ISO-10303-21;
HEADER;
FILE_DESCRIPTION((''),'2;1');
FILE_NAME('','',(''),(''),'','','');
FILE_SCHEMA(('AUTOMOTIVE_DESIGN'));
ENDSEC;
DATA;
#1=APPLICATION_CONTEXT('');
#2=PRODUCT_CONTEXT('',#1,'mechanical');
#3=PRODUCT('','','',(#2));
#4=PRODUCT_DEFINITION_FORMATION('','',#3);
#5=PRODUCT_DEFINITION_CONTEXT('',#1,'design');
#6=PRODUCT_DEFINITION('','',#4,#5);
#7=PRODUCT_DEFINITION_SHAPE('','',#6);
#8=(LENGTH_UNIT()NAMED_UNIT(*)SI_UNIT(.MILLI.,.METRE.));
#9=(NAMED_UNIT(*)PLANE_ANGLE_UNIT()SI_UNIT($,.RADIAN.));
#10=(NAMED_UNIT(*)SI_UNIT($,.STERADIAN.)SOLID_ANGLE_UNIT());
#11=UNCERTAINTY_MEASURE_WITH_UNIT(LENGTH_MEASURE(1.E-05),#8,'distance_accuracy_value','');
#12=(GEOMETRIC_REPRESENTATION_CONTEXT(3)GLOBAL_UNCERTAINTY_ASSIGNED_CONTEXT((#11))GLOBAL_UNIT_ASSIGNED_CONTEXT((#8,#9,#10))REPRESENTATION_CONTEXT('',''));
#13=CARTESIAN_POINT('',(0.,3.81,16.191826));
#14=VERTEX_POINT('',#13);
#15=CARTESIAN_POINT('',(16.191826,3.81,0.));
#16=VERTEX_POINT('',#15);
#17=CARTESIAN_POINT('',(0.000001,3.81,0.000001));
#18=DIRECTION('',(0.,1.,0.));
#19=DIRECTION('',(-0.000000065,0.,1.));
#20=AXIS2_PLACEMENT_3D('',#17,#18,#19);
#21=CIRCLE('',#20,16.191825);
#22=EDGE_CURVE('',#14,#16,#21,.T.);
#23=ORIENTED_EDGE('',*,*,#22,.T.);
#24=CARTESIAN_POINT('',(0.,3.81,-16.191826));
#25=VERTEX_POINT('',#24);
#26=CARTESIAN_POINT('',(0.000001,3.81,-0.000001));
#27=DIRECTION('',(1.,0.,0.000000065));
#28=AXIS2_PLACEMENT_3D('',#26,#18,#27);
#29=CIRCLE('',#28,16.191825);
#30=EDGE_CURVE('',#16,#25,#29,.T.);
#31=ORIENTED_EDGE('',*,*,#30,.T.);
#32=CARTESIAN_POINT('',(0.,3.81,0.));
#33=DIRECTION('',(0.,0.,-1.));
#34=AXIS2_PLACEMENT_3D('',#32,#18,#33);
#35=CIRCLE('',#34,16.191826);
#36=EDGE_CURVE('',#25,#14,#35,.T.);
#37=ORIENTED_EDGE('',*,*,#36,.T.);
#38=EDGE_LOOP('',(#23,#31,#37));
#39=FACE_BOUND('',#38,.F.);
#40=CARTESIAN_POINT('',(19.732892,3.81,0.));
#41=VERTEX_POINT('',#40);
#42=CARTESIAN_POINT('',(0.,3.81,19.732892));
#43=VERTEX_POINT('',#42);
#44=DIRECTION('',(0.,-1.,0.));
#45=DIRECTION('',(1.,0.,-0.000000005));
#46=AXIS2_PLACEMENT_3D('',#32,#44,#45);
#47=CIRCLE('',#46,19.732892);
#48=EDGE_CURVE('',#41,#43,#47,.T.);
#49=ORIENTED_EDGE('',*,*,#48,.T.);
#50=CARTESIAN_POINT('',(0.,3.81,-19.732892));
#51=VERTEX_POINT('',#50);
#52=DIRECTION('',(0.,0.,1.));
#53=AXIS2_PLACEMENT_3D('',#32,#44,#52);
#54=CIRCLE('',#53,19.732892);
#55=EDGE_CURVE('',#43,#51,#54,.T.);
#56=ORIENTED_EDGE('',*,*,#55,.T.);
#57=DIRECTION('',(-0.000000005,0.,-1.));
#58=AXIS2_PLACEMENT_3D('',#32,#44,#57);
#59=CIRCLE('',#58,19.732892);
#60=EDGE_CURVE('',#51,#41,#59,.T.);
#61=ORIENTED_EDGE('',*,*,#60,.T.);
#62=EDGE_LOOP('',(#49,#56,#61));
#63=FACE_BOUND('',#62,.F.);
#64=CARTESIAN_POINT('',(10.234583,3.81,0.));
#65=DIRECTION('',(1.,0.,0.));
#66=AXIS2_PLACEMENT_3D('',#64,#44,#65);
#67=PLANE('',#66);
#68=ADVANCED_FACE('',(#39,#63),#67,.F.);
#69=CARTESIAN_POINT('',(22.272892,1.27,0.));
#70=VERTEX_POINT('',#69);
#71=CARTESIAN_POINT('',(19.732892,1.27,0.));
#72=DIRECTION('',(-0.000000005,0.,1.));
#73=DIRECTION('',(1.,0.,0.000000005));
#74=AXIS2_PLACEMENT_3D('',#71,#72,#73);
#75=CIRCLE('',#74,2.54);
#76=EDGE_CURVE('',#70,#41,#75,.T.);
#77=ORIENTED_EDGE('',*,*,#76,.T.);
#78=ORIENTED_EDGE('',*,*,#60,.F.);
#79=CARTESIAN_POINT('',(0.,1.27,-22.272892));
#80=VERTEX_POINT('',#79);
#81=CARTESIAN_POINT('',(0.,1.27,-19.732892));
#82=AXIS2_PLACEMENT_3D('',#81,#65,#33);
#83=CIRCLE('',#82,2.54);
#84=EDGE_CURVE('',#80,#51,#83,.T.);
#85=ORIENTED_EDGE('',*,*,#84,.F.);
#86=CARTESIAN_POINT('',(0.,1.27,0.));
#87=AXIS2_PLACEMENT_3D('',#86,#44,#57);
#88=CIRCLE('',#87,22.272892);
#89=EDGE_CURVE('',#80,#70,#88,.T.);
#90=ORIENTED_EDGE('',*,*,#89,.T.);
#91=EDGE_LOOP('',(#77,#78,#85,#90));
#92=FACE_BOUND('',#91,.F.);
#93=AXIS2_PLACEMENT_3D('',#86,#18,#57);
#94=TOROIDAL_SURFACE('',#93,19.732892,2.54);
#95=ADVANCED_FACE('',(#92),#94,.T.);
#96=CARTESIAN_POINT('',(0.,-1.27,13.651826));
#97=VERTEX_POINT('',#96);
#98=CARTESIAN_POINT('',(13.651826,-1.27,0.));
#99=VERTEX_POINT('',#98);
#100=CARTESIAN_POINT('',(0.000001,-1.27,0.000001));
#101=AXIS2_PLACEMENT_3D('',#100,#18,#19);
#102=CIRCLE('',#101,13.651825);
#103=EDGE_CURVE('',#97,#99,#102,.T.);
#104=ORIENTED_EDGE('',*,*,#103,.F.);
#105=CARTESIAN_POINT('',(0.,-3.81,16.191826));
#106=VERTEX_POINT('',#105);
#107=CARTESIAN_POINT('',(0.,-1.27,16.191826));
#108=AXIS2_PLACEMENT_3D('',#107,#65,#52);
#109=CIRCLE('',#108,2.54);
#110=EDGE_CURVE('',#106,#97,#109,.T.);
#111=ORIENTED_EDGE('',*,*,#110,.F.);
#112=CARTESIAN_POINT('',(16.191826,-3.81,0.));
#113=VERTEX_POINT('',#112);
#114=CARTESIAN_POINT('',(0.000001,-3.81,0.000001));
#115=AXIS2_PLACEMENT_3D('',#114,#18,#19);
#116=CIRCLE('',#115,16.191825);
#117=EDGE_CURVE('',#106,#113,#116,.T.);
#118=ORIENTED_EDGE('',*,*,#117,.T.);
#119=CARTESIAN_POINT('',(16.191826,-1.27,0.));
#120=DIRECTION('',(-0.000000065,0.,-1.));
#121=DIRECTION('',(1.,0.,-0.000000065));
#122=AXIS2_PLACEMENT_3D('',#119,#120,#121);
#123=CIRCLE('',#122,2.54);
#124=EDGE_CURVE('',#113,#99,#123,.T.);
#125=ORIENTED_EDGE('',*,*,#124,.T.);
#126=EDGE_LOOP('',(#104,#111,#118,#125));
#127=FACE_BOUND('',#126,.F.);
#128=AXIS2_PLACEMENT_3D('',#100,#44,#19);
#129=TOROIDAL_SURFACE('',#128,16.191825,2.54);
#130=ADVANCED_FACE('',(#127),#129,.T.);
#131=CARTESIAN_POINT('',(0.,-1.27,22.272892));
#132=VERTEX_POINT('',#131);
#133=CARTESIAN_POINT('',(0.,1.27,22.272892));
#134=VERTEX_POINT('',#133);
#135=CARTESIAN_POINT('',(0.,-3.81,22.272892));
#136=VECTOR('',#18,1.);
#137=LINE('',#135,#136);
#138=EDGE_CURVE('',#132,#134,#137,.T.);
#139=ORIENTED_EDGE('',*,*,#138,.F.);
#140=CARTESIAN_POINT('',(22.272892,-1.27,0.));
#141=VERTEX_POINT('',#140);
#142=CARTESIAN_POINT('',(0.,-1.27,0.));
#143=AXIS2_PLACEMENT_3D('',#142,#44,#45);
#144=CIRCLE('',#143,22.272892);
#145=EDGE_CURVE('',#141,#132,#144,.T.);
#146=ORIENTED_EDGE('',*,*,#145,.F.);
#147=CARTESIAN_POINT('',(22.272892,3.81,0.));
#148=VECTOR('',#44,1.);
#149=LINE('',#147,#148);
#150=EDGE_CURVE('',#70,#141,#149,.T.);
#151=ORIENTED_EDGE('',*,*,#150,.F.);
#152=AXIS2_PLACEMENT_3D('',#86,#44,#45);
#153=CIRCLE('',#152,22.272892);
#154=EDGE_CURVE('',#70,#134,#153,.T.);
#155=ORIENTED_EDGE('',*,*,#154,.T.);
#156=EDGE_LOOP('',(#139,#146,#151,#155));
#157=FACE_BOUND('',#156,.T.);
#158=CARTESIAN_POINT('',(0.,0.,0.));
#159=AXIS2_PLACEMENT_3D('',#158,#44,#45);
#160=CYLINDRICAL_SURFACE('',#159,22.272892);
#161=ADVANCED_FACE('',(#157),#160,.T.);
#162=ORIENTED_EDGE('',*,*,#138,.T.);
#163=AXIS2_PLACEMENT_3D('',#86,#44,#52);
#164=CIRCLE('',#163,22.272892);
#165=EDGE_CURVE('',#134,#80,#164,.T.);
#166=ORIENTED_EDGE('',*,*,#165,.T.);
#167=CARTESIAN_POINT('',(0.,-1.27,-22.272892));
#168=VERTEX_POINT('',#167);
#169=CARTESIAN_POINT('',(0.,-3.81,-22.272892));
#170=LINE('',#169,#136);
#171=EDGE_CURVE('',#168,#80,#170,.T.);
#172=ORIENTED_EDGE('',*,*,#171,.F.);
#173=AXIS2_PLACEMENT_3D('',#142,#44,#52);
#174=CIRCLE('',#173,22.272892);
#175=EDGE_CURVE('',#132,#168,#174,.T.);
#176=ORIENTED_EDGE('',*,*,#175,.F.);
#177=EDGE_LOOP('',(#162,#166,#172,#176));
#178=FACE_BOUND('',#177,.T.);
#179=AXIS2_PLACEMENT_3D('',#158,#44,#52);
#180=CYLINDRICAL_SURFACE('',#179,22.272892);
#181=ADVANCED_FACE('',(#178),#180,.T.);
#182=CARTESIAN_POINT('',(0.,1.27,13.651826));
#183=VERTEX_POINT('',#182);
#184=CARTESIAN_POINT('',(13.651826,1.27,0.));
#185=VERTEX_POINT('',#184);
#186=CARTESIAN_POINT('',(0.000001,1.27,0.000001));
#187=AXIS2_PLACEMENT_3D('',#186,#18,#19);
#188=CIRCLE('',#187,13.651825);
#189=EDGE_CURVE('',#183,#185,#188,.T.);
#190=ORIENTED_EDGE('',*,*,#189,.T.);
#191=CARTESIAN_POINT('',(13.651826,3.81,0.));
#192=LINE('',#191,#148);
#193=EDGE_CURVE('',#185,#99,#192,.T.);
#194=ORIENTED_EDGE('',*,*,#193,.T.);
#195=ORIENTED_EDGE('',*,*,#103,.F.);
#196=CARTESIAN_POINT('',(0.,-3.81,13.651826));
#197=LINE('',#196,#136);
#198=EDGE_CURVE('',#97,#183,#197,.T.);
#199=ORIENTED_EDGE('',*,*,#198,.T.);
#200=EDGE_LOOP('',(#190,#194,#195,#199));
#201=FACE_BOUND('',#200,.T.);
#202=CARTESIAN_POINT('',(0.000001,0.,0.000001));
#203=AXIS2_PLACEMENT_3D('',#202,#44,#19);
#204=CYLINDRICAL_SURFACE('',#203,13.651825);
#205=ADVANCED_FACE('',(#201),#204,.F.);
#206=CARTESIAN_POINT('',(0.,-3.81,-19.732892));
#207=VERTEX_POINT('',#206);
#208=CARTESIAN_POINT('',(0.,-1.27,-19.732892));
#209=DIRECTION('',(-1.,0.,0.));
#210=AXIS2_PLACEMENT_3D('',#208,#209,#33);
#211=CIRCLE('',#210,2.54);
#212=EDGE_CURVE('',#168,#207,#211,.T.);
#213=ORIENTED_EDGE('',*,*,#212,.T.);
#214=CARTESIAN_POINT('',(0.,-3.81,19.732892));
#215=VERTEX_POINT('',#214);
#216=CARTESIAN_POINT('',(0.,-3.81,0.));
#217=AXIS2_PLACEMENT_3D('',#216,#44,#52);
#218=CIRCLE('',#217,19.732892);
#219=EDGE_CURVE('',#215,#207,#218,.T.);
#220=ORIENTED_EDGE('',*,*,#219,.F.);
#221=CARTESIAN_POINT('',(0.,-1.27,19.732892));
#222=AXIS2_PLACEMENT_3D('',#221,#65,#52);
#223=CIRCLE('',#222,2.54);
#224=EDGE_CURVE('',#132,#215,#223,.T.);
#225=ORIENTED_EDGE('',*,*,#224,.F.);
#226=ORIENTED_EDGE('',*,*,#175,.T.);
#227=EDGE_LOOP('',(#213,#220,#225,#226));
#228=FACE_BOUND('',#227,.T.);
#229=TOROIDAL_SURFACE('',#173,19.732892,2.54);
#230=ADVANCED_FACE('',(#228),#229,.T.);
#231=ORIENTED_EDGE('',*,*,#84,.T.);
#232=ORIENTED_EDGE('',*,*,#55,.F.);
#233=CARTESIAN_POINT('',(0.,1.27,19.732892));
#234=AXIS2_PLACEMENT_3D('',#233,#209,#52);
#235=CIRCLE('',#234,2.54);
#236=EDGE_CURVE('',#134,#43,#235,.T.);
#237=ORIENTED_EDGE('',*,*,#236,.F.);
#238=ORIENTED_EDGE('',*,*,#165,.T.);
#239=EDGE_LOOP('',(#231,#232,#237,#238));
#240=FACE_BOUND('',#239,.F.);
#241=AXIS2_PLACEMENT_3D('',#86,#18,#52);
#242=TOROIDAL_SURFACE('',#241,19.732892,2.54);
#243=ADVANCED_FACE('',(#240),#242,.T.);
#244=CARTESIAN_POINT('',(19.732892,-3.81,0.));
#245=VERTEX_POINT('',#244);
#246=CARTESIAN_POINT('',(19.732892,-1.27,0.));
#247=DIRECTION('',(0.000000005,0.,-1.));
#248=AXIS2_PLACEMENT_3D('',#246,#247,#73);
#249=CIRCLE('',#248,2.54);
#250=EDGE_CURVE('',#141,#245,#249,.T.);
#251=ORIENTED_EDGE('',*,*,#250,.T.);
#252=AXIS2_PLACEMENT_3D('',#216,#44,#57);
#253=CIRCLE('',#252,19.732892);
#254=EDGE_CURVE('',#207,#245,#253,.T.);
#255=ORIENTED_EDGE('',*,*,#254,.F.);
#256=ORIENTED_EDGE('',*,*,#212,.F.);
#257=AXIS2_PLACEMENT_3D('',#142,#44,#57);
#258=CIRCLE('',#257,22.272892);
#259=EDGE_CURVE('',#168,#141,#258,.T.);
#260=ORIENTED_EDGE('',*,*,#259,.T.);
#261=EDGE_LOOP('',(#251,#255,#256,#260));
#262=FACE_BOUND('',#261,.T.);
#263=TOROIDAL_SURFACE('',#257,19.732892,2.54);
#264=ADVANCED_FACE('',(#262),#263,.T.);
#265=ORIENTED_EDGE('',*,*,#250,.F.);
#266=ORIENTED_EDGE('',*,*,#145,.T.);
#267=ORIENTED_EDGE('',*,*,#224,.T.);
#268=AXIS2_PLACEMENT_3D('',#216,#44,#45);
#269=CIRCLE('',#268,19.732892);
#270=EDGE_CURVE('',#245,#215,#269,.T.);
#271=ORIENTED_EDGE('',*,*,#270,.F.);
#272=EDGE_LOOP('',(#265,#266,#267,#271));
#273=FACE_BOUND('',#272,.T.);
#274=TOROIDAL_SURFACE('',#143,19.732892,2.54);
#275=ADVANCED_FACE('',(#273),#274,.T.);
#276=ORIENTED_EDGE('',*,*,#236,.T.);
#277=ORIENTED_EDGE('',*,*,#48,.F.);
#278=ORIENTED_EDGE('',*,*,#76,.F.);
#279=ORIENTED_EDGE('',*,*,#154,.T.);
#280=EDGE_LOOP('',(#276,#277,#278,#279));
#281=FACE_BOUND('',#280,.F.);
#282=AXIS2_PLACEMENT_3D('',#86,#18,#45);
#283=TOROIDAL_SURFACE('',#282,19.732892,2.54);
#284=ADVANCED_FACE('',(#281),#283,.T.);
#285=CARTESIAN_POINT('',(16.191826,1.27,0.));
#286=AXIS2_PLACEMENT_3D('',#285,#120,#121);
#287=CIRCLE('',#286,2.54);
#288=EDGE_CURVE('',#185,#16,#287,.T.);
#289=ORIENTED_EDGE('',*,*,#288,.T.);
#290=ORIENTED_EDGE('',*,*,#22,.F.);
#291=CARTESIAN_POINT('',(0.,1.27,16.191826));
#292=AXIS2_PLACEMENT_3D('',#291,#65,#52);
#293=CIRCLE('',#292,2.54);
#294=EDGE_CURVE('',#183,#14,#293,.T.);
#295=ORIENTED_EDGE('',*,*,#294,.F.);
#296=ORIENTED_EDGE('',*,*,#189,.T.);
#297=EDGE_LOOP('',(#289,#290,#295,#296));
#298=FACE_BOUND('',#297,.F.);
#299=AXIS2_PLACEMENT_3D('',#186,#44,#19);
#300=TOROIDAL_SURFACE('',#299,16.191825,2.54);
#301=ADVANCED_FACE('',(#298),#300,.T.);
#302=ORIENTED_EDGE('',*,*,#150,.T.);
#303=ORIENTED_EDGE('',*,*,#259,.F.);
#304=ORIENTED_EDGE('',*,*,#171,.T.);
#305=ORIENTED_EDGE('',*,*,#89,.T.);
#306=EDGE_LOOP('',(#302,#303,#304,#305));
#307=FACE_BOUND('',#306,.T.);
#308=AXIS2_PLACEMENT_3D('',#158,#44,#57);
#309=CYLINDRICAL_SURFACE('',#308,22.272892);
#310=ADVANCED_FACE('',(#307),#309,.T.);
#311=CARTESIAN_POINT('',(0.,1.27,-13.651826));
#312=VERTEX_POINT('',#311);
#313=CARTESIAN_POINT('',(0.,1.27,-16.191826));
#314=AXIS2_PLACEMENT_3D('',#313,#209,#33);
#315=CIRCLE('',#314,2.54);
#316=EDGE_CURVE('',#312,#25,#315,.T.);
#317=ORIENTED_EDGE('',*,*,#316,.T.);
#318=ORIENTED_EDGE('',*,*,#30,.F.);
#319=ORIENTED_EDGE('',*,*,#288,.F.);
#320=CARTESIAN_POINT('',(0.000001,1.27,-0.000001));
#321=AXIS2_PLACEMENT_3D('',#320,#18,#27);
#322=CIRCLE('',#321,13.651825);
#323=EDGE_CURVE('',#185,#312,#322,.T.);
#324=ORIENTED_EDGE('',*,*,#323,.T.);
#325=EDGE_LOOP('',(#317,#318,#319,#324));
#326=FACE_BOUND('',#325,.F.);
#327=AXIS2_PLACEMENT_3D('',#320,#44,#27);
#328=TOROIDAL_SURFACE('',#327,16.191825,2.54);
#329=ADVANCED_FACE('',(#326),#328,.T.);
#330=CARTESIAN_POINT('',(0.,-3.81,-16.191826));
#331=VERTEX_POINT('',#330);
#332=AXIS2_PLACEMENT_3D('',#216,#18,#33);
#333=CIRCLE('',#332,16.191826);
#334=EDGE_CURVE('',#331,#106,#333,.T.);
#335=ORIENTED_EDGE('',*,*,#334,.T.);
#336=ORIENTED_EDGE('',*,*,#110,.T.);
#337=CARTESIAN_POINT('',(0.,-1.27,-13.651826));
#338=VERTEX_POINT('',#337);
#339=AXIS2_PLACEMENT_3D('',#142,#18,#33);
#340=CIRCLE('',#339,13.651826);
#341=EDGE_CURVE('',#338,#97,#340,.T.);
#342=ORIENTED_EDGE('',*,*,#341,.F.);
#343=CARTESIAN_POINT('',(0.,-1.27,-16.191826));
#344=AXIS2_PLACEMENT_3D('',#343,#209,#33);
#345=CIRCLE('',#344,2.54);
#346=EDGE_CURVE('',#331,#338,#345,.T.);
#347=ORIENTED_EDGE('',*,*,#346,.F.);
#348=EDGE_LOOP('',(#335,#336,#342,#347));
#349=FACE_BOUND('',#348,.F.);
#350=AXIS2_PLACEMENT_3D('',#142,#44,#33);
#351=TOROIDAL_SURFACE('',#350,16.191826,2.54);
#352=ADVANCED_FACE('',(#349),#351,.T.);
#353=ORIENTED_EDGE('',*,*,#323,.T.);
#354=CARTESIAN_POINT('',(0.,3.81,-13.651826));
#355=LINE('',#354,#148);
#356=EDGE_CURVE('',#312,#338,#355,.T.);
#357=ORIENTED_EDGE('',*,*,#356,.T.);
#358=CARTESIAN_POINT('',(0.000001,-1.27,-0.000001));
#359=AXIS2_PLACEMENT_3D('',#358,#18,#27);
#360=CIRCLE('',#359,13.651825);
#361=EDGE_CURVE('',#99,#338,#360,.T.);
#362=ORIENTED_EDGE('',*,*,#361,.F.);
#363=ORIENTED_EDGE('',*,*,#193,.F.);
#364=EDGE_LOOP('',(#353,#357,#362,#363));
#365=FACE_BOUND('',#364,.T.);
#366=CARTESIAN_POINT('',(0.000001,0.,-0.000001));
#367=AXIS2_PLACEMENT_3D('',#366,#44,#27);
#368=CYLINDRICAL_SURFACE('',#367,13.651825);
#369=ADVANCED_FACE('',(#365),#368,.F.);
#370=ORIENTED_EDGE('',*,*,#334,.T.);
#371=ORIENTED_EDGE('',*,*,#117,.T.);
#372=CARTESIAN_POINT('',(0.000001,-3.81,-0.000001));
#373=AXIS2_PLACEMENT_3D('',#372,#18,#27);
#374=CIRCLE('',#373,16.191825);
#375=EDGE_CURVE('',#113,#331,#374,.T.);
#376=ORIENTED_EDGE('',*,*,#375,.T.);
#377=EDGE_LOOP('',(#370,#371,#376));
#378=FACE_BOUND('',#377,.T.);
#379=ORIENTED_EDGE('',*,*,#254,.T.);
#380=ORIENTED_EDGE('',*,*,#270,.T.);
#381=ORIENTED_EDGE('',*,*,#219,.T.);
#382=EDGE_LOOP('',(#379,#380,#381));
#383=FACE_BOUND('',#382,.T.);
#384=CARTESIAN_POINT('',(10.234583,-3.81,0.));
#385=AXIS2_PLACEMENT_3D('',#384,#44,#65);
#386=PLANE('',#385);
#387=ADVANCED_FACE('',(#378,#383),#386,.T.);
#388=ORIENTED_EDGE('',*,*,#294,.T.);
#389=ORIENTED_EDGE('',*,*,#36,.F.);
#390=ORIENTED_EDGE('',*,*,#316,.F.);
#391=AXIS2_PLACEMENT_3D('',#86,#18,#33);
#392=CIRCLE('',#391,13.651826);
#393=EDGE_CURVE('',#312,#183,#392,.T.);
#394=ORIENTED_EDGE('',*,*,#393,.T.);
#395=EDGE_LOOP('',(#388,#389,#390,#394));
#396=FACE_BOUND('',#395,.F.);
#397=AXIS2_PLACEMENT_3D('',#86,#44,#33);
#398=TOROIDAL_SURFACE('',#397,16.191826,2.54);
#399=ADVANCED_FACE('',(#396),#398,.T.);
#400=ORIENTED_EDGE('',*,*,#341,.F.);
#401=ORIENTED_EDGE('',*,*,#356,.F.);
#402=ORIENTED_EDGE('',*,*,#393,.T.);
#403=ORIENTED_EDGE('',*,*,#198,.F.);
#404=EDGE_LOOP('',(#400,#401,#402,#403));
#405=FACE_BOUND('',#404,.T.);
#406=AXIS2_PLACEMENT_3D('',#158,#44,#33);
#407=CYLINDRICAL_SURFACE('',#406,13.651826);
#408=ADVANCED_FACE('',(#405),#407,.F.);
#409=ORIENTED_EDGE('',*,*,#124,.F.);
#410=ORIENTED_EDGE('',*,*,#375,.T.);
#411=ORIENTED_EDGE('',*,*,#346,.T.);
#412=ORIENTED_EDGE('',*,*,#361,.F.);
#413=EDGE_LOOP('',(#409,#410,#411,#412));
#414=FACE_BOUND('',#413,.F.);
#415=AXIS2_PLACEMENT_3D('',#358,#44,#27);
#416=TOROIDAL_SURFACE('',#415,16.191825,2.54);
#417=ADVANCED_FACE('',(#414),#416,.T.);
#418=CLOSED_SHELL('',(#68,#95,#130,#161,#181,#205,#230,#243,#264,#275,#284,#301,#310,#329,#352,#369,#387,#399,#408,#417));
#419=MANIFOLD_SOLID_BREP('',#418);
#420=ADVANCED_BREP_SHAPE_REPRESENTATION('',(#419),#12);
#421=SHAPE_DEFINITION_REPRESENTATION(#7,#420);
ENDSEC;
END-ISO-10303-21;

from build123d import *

# Parameters (mm, degrees)
F1_DEPTH = 3.81
F2_R     = 2.54


with BuildPart() as f1:
    # F0 (on Front) → F1 (new body, symmetric)
    with BuildSketch(Plane.XZ):
        with BuildLine():
            ThreePointArc((0, -22.272892), (15.749313, -15.749313), (22.272892, 0))
            ThreePointArc((22.272892, 0), (15.749313, 15.749313), (0, 22.272892))
            Line((0, 22.272892), (0, 13.651826))
            ThreePointArc((0, 13.651826), (9.653299, 9.653299), (13.651826, 0))
            ThreePointArc((13.651826, 0), (9.653299, -9.653299), (0, -13.651826))
            Line((0, -13.651826), (0, -22.272892))
        make_face()
        with BuildLine():
            Line((0, 13.651826), (0, 22.272892))
            ThreePointArc((0, 22.272892), (-22.272892, 0), (0, -22.272892))
            Line((0, -22.272892), (0, -13.651826))
            ThreePointArc((0, -13.651826), (-13.651826, 0), (0, 13.651826))
        make_face()
    extrude(amount=F1_DEPTH, both=True)

    # F2
    f2_edges = [f1.edges().sort_by_distance(p)[0] for p in [
        (-13.651826, -3.81, 0),
        (-22.272892, -3.81, 0),
        (-22.272892, 3.81, 0),
        (-13.651826, 3.81, 0),
    ]]
    fillet(f2_edges, radius=F2_R)


solid = f1.part
